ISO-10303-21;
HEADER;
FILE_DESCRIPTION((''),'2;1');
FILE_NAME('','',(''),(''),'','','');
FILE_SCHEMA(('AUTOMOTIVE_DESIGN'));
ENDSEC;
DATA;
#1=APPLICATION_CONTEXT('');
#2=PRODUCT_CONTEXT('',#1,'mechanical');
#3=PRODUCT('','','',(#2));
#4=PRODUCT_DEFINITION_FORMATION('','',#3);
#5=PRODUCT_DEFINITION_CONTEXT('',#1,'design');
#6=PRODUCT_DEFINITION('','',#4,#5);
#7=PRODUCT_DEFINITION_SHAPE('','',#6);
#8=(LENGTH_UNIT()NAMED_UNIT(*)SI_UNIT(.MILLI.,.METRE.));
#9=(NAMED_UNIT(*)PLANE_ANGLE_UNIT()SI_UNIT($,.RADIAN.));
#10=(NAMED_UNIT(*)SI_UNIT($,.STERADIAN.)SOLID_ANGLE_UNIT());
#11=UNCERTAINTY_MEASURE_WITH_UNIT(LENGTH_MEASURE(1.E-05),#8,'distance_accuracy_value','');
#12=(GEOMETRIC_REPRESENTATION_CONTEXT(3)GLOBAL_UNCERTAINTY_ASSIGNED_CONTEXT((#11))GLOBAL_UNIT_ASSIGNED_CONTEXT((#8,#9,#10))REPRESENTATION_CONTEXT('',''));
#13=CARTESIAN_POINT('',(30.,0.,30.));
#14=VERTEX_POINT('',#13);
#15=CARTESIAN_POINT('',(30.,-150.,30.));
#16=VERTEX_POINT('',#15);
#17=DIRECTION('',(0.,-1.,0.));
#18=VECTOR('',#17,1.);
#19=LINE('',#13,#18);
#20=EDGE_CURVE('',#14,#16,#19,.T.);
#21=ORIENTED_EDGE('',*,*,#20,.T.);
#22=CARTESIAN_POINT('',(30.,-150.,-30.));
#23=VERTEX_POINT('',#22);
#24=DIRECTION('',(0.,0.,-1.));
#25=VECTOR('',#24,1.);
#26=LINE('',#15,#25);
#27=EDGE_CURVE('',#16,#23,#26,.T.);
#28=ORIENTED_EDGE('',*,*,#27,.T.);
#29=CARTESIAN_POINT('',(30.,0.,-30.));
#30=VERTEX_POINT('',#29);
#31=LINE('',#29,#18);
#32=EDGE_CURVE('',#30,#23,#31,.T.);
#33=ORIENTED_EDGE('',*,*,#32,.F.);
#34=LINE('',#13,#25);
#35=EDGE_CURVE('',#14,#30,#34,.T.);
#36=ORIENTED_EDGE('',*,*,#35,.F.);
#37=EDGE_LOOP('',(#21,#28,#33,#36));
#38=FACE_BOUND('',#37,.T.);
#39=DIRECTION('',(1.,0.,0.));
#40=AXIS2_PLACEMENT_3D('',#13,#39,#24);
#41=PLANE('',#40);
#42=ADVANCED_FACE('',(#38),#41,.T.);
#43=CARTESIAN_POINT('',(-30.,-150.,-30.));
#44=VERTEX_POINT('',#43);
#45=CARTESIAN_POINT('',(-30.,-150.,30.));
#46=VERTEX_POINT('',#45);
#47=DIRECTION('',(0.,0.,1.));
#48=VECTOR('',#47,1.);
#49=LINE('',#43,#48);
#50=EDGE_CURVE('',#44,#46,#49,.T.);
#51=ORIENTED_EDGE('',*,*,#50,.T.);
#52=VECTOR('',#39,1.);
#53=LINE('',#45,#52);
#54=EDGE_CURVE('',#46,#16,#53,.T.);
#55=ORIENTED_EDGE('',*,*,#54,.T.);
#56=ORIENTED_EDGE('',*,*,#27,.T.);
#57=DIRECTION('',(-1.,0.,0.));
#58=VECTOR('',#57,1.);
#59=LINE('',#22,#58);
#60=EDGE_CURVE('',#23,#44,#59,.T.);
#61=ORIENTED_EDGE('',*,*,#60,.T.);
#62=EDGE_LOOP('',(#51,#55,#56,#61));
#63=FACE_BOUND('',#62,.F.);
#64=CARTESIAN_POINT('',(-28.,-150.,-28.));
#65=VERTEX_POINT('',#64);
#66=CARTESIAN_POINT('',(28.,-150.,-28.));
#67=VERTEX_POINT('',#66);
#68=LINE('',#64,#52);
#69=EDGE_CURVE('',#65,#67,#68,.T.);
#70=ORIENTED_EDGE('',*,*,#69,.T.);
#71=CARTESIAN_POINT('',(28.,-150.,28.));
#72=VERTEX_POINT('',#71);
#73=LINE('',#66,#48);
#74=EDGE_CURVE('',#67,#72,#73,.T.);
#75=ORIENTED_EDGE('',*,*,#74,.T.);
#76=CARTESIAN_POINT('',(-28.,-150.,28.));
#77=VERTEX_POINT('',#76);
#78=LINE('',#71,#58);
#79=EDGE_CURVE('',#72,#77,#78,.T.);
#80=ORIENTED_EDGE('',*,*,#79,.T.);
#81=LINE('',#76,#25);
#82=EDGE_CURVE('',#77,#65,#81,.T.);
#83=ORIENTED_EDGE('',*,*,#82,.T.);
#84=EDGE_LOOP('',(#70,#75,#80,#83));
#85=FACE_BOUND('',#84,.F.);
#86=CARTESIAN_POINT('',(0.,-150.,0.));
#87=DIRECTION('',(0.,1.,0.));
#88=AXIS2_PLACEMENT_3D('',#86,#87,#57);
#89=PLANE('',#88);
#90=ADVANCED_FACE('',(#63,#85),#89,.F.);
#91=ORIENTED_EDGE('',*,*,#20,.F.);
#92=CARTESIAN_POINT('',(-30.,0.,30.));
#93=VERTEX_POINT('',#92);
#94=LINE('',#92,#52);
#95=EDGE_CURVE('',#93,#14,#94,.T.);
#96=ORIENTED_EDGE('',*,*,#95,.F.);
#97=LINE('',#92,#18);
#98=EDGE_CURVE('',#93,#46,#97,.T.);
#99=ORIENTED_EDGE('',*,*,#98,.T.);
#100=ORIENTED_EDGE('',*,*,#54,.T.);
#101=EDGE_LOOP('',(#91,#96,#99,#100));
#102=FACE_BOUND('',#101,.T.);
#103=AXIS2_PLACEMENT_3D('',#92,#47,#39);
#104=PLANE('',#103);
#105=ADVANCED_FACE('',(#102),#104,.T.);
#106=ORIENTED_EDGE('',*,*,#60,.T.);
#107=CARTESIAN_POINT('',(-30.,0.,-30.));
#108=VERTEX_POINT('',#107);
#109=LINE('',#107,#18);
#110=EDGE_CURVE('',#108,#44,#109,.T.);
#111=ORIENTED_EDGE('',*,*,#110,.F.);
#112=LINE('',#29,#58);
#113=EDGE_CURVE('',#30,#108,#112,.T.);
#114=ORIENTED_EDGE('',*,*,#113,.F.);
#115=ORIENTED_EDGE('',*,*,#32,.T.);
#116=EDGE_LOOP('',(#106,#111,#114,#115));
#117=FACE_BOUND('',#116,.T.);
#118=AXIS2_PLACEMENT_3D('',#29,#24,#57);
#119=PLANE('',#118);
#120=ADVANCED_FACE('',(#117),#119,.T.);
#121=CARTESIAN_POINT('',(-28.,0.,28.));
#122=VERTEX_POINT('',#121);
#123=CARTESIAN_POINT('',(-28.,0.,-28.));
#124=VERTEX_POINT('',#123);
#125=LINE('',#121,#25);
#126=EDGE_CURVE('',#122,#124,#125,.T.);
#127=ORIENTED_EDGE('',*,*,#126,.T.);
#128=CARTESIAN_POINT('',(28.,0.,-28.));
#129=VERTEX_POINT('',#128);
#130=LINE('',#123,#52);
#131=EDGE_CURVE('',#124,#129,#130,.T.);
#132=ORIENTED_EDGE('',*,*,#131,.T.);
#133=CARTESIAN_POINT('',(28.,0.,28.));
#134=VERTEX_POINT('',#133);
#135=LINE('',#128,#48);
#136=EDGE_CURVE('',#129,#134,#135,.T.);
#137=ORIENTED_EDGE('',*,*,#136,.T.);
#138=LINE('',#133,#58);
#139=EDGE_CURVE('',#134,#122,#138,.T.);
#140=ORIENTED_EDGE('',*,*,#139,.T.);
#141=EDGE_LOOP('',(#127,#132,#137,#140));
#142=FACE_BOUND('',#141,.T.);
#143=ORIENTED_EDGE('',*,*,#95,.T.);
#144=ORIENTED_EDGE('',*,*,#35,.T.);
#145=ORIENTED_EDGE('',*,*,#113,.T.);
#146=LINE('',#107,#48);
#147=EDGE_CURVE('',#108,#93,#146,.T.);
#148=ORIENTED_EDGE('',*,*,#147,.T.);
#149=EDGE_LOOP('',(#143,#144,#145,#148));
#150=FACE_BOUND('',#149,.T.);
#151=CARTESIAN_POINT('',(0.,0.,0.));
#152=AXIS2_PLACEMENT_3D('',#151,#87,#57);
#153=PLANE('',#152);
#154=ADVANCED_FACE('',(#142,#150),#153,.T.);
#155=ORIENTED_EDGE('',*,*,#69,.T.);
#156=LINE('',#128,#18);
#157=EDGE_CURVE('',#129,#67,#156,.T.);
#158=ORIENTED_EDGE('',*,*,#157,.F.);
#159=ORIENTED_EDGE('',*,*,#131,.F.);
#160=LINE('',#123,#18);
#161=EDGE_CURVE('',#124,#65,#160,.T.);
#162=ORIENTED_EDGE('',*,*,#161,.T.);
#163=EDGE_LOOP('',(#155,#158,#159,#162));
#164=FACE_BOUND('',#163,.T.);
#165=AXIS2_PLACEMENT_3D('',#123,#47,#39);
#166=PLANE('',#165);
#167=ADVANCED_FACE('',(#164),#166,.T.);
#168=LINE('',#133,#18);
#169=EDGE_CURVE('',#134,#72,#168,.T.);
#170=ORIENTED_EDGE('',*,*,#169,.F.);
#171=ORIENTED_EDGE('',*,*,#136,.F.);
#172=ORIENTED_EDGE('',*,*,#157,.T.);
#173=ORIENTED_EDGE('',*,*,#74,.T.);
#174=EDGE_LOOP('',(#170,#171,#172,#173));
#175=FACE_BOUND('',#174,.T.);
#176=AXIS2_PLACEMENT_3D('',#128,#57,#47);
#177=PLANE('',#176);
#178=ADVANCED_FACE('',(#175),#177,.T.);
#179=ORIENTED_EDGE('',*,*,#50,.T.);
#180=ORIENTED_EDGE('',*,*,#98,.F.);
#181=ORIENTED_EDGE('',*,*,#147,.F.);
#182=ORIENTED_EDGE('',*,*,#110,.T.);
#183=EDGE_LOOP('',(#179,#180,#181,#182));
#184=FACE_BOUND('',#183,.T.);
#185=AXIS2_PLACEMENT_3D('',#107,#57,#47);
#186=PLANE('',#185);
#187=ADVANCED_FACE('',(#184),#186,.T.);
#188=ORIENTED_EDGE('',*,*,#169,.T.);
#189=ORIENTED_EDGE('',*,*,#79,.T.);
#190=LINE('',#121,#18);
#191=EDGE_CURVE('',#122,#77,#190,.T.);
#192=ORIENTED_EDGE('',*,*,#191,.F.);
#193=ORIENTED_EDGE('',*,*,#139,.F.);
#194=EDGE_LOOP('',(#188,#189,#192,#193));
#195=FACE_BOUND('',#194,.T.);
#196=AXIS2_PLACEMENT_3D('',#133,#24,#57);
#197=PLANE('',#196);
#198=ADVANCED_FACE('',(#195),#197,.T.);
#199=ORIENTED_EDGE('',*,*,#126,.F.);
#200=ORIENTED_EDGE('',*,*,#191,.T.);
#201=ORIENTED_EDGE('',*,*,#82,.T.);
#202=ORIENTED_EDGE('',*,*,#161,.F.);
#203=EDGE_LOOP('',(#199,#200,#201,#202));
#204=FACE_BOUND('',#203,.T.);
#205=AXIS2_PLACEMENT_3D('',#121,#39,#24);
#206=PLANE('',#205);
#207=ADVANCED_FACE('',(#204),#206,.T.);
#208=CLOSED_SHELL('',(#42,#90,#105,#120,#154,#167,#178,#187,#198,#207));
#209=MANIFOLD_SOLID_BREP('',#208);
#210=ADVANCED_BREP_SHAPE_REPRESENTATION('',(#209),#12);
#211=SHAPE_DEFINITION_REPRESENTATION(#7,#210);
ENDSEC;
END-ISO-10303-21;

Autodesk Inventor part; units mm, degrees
ref_plane "YZ Plane" through (0, 0, 0) normal (1, 0, 0) x (0, 1, 0)
ref_plane "XZ Plane" through (0, 0, 0) normal (0, 1, 0) x (-1, 0, 0)
ref_plane "XY Plane" through (0, 0, 0) normal (0, 0, 1) x (1, 0, 0)
sketch "Sketch9" plane through (0, 0, 0) normal (0, 1, 0) x (-1, 0, 0)
  line L0 (30, 30) -> (-30, 30)
  line L1 (-30, 30) -> (-30, -30)
  line L2 (-30, -30) -> (30, -30)
  line L3 (30, -30) -> (30, 30)
  line L4 (30, 30) -> (-30, -30) construction
  line L5 (-30, 30) -> (30, -30) construction
  line L6 (-28, 28) -> (28, 28)
  line L7 (28, 28) -> (28, -28)
  line L8 (28, -28) -> (-28, -28)
  line L9 (-28, -28) -> (-28, 28)
  point P0 (0, 0)
  dimension "d172" = 60
  dimension "d173" = 60
  dimension "d174" = 2
extrude "Extrusion3" add sketch "Sketch9" against normal blind 150
properties part number "TZS 1762 FDS 1200x50 column" material "Stainless Steel"
